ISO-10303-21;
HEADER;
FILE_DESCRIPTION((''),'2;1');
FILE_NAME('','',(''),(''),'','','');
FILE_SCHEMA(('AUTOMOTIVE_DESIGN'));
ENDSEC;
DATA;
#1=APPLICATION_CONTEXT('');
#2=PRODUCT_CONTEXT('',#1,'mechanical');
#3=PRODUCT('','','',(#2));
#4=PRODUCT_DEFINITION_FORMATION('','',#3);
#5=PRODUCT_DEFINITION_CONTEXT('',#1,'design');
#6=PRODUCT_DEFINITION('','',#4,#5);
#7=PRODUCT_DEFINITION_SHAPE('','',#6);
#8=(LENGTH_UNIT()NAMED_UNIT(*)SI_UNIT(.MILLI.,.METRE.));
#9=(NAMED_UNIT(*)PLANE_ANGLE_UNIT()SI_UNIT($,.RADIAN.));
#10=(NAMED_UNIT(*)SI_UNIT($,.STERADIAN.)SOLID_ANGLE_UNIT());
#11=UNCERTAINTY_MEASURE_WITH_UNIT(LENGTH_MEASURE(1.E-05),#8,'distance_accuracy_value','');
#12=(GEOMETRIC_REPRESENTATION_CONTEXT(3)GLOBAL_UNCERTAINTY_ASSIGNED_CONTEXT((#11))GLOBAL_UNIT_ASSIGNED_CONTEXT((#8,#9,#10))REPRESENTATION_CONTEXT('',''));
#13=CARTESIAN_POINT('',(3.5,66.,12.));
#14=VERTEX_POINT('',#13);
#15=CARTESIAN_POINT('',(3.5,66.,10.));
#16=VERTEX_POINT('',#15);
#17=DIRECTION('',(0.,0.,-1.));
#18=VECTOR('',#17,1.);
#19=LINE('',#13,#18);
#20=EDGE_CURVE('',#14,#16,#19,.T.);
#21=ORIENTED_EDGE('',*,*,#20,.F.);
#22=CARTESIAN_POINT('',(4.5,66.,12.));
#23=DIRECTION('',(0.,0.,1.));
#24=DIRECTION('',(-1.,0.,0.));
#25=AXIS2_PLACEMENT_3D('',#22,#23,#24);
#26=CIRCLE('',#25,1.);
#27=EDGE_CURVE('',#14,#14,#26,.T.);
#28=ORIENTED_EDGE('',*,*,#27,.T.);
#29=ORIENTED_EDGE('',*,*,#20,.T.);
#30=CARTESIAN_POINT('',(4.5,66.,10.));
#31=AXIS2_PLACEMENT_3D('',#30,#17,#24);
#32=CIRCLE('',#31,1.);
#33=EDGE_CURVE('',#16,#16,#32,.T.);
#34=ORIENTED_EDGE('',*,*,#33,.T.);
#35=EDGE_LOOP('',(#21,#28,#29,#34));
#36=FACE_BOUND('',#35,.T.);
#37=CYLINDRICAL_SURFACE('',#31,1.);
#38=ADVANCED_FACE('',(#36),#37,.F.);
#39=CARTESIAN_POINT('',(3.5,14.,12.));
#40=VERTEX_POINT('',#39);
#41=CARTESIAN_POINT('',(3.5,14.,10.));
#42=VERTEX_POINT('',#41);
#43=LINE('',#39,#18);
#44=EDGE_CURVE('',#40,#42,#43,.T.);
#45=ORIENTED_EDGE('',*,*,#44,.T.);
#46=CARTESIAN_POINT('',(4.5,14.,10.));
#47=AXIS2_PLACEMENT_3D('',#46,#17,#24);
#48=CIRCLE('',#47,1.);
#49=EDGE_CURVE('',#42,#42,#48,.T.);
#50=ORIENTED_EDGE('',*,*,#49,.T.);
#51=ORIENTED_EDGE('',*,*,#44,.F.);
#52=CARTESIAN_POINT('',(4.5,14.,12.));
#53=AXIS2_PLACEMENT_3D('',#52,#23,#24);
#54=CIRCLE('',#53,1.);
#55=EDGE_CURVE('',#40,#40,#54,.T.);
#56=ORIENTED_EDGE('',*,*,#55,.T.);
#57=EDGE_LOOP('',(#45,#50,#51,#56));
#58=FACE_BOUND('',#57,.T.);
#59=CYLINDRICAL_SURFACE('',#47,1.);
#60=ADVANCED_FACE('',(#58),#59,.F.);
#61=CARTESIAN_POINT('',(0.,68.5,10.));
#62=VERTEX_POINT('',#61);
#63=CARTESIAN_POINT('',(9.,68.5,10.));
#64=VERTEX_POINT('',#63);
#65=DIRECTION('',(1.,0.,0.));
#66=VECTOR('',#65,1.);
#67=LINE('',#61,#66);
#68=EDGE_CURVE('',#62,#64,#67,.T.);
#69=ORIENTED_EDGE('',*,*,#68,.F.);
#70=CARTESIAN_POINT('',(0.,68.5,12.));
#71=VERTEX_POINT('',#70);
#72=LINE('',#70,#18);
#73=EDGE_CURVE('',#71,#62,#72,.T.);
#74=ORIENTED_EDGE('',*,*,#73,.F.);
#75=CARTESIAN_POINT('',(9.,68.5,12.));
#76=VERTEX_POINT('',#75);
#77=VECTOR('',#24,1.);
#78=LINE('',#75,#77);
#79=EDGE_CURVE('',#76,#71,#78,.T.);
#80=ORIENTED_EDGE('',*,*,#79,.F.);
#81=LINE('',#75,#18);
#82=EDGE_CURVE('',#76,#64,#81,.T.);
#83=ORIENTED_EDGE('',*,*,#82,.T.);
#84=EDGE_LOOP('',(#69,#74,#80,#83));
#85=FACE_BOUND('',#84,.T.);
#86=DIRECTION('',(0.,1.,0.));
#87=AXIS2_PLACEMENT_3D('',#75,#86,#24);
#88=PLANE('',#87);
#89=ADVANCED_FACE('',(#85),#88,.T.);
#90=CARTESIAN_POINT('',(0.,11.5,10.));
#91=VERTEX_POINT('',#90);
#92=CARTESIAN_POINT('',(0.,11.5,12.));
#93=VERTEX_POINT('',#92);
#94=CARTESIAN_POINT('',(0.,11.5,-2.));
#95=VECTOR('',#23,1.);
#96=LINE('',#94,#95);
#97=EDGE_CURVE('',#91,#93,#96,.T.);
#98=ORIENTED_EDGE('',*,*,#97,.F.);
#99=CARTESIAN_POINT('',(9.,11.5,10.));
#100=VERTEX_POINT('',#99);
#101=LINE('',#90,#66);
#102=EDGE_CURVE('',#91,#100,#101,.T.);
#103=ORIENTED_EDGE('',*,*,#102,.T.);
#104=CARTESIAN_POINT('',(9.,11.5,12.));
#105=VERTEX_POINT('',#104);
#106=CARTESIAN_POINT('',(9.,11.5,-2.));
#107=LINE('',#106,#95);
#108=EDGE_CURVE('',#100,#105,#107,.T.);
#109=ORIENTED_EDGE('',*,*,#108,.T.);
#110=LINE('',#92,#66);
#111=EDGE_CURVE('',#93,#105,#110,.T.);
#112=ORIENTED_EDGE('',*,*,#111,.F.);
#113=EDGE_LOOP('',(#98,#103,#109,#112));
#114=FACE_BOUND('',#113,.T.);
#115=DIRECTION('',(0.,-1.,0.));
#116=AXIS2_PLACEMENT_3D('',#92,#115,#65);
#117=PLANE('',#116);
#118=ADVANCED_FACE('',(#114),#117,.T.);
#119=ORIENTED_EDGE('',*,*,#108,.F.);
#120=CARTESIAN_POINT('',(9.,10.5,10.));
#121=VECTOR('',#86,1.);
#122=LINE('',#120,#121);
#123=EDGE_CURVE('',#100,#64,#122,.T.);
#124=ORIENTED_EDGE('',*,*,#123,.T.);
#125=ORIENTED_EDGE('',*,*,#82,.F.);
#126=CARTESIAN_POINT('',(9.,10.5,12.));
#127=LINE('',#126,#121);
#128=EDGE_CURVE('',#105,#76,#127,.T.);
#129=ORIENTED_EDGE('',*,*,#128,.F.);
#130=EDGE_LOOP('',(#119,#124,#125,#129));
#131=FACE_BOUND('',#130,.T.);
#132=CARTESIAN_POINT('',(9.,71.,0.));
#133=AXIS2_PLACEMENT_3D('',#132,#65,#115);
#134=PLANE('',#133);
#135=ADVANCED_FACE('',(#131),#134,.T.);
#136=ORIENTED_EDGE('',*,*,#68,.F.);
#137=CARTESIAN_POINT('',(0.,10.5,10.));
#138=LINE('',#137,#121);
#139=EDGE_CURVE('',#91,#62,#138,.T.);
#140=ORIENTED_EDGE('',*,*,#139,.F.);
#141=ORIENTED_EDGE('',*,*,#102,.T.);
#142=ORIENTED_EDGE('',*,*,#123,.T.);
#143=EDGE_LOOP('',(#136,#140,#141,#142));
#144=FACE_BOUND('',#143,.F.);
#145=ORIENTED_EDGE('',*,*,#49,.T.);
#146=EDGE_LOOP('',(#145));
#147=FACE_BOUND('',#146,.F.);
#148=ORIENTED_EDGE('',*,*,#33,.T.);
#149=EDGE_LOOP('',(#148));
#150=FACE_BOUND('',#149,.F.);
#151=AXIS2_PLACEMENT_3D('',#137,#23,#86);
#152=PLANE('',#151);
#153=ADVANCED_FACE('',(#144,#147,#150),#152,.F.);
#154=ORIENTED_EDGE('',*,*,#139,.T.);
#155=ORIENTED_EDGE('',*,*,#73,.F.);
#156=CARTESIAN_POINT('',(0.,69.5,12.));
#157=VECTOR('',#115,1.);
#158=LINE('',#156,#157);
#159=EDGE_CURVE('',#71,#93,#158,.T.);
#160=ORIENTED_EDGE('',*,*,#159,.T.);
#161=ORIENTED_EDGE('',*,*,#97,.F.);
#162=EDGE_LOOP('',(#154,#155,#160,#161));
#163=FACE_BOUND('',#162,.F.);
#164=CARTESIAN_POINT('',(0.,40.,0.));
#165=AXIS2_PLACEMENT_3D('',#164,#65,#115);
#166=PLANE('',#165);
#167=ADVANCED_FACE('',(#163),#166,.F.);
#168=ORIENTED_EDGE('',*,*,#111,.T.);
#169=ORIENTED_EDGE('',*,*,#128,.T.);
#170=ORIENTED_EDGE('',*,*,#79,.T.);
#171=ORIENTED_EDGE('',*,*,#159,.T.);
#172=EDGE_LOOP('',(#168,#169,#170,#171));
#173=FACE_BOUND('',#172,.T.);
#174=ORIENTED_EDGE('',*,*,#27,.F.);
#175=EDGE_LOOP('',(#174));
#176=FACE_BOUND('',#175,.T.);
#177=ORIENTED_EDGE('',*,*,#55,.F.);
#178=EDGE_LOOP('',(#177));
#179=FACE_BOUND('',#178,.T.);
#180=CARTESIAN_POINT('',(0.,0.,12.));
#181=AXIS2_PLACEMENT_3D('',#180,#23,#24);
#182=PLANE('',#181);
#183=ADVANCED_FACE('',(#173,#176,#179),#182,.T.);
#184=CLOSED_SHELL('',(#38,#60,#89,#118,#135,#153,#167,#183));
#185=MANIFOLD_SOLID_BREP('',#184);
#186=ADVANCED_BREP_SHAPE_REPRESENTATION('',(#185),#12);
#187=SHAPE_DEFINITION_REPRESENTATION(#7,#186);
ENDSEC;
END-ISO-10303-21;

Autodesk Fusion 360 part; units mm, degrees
sketch "Sketch1" plane through (0, 0, 0) normal (0, 0, 1) x (1, 0, 0)
  line L0 (0, 0) -> (50, 0)
  line L1 (50, 0) -> (50, 80)
  line L2 (50, 80) -> (0, 80)
  line L3 (0, 80) -> (0, 0)
  line L4 (9, 9) -> (41, 9)
  line L5 (41, 9) -> (41, 71)
  line L6 (41, 71) -> (9, 71)
  line L7 (9, 71) -> (9, 9)
  line L8 (2, 62.5) -> (7, 62.5)
  line L9 (7, 62.5) -> (7, 17.5)
  line L10 (7, 17.5) -> (2, 17.5)
  line L11 (2, 17.5) -> (2, 62.5)
  line L12 (0, 40) -> (2, 40)
  line L13 (25, 71) -> (25, 60)
  line L14 (48, 62.5) -> (43, 62.5)
  line L15 (48, 17.5) -> (48, 62.5)
  line L16 (43, 62.5) -> (43, 17.5)
  line L17 (43, 17.5) -> (48, 17.5)
  dimension "d1" = 50
  dimension "d2" = 80
  dimension "d3" = -9
  dimension "d4" = 45
  dimension "d5" = 90
  dimension "d6" = 2
  dimension "d7" = 5
extrude "Extrude1" add sketch "Sketch1" along normal blind 10
sketch "Sketch2" plane through (0, 0, 0) normal (0, 0, -1) x (1, 0, 0)
  line L0 (2, -17.5) -> (7, -17.5)
  line L1 (7, -17.5) -> (7, -62.5)
  line L2 (7, -62.5) -> (2, -62.5)
  line L3 (2, -62.5) -> (2, -17.5)
  line L4 (43, -17.5) -> (48, -17.5)
  line L5 (48, -17.5) -> (48, -62.5)
  line L6 (48, -62.5) -> (43, -62.5)
  line L7 (43, -62.5) -> (43, -17.5)
  line L8 (9, -71) -> (9, -9)
  line L9 (9, -9) -> (41, -9)
  line L10 (41, -9) -> (41, -71)
  line L11 (41, -71) -> (9, -71)
  line L12 (0, 0) -> (0, -80)
  line L13 (0, -80) -> (50, -80)
  line L14 (50, -80) -> (50, 0)
  line L15 (50, 0) -> (0, 0)
  line L16 (0, 0) -> (50, 0)
  line L17 (50, 0) -> (50, -80)
  line L18 (50, -80) -> (0, -80)
  line L19 (0, -80) -> (0, 0)
extrude "Extrude2" add sketch "Sketch2" along normal blind 2 contours L0 L1 L2 L3 | L4 L5 L6 L7 | L12 L13 L14 L15 L16 L17 L18 L19
sketch "Sketch3" plane through (0, 0, 10) normal (0, 0, 1) x (-1, 0, 0)
  line L0 (-7, -17.5) -> (-2, -17.5)
  line L1 (-2, -17.5) -> (-2, -62.5)
  line L2 (-2, -62.5) -> (-7, -62.5)
  line L3 (-7, -62.5) -> (-7, -17.5)
  line L4 (-9, -9) -> (-9, -71)
  line L5 (-9, -71) -> (-41, -71)
  line L6 (-41, -71) -> (-41, -9)
  line L7 (-41, -9) -> (-9, -9)
  line L8 (-48, -17.5) -> (-43, -17.5)
  line L9 (-43, -17.5) -> (-43, -62.5)
  line L10 (-43, -62.5) -> (-48, -62.5)
  line L11 (-48, -62.5) -> (-48, -17.5)
  line L12 (0, -80) -> (0, 0)
  line L13 (0, 0) -> (-50, 0)
  line L14 (-50, 0) -> (-50, -80)
  line L15 (-50, -80) -> (0, -80)
  line L16 (0, -80) -> (-50, -80)
  line L17 (-50, -80) -> (-50, 0)
  line L18 (-50, 0) -> (0, 0)
  line L19 (0, 0) -> (0, -80)
  line L20 (0, -10.5) -> (-50, -10.5)
  line L21 (-50, -10.5) -> (-50, -69.5)
  line L22 (-50, -69.5) -> (0, -69.5)
  line L23 (0, -69.5) -> (0, -10.5)
  line L24 (-4.5, -17.5) -> (-4.5, -10.5)
  line L25 (-4.5, -62.5) -> (-4.5, -69.5)
  line L26 (-45.5, -62.5) -> (-45.5, -69.5)
  line L27 (-45.5, -17.5) -> (-45.5, -10.5)
  circle A0 centre (-4.5, -14) radius 1
  circle A1 centre (-45.5, -14) radius 1
  circle A2 centre (-45.5, -66) radius 1
  circle A3 centre (-4.5, -66) radius 1
  dimension "d12" = 7
  dimension "d13" = 7
  dimension "d14" = 2
  dimension "d15" = 2
  dimension "d16" = 2
  dimension "d17" = 2
extrude "Extrude3" cut sketch "Sketch3" against normal blind 10 contours L24 A0 | L24 A0 | L25 A3 | L25 A3 | L27 A1 | L27 A1 | L26 A2 | L26 A2
extrude "Extrude4" add sketch "Sketch3" along normal blind 2 contours L4 L6 L7 L12 L13 L14 L17 L18 L19 L20 | L4 L5 L6 L12 L14 L15 L16 L17 L19 L22
sketch "Sketch4" plane through (0, 0, 0) normal (0, -1, 0) x (1, 0, 0)
  line L0 (50, -2) -> (50, 12)
  line L1 (50, 12) -> (0, 12)
  line L2 (0, 12) -> (0, -2)
  line L3 (0, -2) -> (50, -2)
  line L4 (25, 12) -> (25, -2)
  circle A0 centre (25, 5) radius 5
  dimension "d22" = 10
extrude "Extrude5" cut sketch "Sketch4" against normal blind 100 contours L4 A0 | L4 A0
sketch "Sketch5" plane through (0, 0, -2) normal (0, 0, -1) x (1, 0, 0)
  line L0 (41, -9) -> (41, -71)
  line L1 (41, -71) -> (9, -71)
  line L2 (9, -71) -> (9, -9)
  line L3 (9, -9) -> (41, -9)
  line L4 (0, -80) -> (50, -80)
  line L5 (50, -80) -> (50, 0)
  line L6 (50, 0) -> (0, 0)
  line L7 (0, 0) -> (0, -80)
  line L8 (10, -80) -> (40, -80)
  line L9 (50, -70) -> (50, -10)
  line L10 (40, 0) -> (10, 0)
  line L11 (0, -10) -> (0, -70)
  line L12 (39.5, -9) -> (10.5, -9)
  line L13 (9, -10.5) -> (9, -69.5)
  line L14 (10.5, -71) -> (39.5, -71)
  line L15 (41, -69.5) -> (41, -10.5)
  arc A0 (10.5, -9) -> (9, -10.5) centre (10.5, -10.5) ccw
  arc A1 (41, -10.5) -> (39.5, -9) centre (39.5, -10.5) ccw
  arc A2 (9, -69.5) -> (10.5, -71) centre (10.5, -69.5) ccw
  arc A3 (39.5, -71) -> (41, -69.5) centre (39.5, -69.5) ccw
  arc A4 (10, 0) -> (0, -10) centre (10, -10) ccw
  arc A5 (50, -10) -> (40, 0) centre (40, -10) ccw
  arc A6 (0, -70) -> (10, -80) centre (10, -70) ccw
  arc A7 (40, -80) -> (50, -70) centre (40, -70) ccw
  point P0 (20, -71)
  point P1 (9, -10.5)
  point P2 (41, -10.5)
  point P3 (41, -69.5)
  point P4 (9, -69.5)
  dimension "d29" = 10
  dimension "d30" = 10
  dimension "d31" = 10
  dimension "d32" = 10
extrude "Extrude6" cut sketch "Sketch5" against normal blind 100 contours L4 L7 A6 | L4 L5 A7 | L6 L7 A4 | L5 L6 A5
extrude "Extrude7" add sketch "Sketch5" against normal up to surface (14 mm away) contours L0 L3 A1 | L0 L1 A3 | L2 L3 A0 | L1 L2 A2
sketch "Sketch6" plane through (0, 0, 10) normal (0, 0, 1) x (-1, 0, 0)
  line L0 (-9, -69.5) -> (0, -69.5)
  line L1 (0, -69.5) -> (0, -10.5)
  line L2 (0, -10.5) -> (-9, -10.5)
  line L3 (-9, -10.5) -> (-9, -69.5)
  line L4 (-7, -17.5) -> (-2, -17.5)
  line L5 (-2, -17.5) -> (-2, -62.5)
  line L6 (-2, -62.5) -> (-7, -62.5)
  line L7 (-7, -62.5) -> (-7, -17.5)
  circle A0 centre (-4.5, -66) radius 1
  circle A1 centre (-4.5, -14) radius 1
  line L8 (0, -69.5) -> (-9, -69.5)
  line L9 (-9, -69.5) -> (-9, -10.5)
  line L10 (-9, -10.5) -> (0, -10.5)
  line L11 (0, -10.5) -> (0, -69.5)
  line L12 (12.8472, -89.0472) -> (-65.8375, -89.0472)
  line L13 (-65.8375, -89.0472) -> (-65.8375, 10.3586)
  line L14 (-65.8375, 10.3586) -> (12.8472, 10.3586)
  line L15 (12.8472, 10.3586) -> (12.8472, -89.0472)
extrude "Extrude8" cut sketch "Sketch6" against normal blind 100 from surface at 2 contours L12 L13 L14 L15
sketch "Sketch7" plane through (0, 0, 10) normal (0, 0, 1) x (-1, 0, 0)
  line L0 (-9, -69.5) -> (0, -69.5)
  line L1 (0, -69.5) -> (0, -10.5)
  line L2 (0, -10.5) -> (-9, -10.5)
  line L3 (-9, -10.5) -> (-9, -69.5)
  line L4 (-7, -17.5) -> (-2, -17.5)
  line L5 (-2, -17.5) -> (-2, -62.5)
  line L6 (-2, -62.5) -> (-7, -62.5)
  line L7 (-7, -62.5) -> (-7, -17.5)
  circle A0 centre (-4.5, -66) radius 1
  circle A1 centre (-4.5, -14) radius 1
  line L8 (0, -69.5) -> (-9, -69.5)
  line L9 (-9, -69.5) -> (-9, -10.5)
  line L10 (-9, -10.5) -> (0, -10.5)
  line L11 (0, -10.5) -> (0, -69.5)
extrude "Extrude9" add sketch "Sketch7" along normal blind 2 contours L0 L1 L2 L3 L8 L9 L10 L11 | L4 L5 L6 L7
sketch "Sketch8" plane through (0, 0, 0) normal (-1, 0, 0) x (0, -1, 0)
  line L0 (-10.5, -2) -> (-10.5, 12)
  line L1 (-10.5, 12) -> (-69.5, 12)
  line L2 (-69.5, 12) -> (-69.5, -2)
  line L3 (-69.5, -2) -> (-10.5, -2)
  line L4 (-69.5, -2) -> (-10.5, -2)
  line L5 (-10.5, -2) -> (-10.5, 10)
  line L6 (-10.5, 10) -> (-69.5, 10)
  line L7 (-69.5, 10) -> (-69.5, -2)
  dimension "d42" = 2
extrude "Extrude10" cut sketch "Sketch8" against normal blind 9 contours L0 L2 L3 L4 L5 L6 L7
extrude "Extrude11" cut 1 faces at (3, 10.5, 11.3333) along direction (0, 1, 0) blind 1
extrude "Extrude12" cut 1 faces at (6, 69.5, 11.3333) along direction (0, -1, 0) blind 1
